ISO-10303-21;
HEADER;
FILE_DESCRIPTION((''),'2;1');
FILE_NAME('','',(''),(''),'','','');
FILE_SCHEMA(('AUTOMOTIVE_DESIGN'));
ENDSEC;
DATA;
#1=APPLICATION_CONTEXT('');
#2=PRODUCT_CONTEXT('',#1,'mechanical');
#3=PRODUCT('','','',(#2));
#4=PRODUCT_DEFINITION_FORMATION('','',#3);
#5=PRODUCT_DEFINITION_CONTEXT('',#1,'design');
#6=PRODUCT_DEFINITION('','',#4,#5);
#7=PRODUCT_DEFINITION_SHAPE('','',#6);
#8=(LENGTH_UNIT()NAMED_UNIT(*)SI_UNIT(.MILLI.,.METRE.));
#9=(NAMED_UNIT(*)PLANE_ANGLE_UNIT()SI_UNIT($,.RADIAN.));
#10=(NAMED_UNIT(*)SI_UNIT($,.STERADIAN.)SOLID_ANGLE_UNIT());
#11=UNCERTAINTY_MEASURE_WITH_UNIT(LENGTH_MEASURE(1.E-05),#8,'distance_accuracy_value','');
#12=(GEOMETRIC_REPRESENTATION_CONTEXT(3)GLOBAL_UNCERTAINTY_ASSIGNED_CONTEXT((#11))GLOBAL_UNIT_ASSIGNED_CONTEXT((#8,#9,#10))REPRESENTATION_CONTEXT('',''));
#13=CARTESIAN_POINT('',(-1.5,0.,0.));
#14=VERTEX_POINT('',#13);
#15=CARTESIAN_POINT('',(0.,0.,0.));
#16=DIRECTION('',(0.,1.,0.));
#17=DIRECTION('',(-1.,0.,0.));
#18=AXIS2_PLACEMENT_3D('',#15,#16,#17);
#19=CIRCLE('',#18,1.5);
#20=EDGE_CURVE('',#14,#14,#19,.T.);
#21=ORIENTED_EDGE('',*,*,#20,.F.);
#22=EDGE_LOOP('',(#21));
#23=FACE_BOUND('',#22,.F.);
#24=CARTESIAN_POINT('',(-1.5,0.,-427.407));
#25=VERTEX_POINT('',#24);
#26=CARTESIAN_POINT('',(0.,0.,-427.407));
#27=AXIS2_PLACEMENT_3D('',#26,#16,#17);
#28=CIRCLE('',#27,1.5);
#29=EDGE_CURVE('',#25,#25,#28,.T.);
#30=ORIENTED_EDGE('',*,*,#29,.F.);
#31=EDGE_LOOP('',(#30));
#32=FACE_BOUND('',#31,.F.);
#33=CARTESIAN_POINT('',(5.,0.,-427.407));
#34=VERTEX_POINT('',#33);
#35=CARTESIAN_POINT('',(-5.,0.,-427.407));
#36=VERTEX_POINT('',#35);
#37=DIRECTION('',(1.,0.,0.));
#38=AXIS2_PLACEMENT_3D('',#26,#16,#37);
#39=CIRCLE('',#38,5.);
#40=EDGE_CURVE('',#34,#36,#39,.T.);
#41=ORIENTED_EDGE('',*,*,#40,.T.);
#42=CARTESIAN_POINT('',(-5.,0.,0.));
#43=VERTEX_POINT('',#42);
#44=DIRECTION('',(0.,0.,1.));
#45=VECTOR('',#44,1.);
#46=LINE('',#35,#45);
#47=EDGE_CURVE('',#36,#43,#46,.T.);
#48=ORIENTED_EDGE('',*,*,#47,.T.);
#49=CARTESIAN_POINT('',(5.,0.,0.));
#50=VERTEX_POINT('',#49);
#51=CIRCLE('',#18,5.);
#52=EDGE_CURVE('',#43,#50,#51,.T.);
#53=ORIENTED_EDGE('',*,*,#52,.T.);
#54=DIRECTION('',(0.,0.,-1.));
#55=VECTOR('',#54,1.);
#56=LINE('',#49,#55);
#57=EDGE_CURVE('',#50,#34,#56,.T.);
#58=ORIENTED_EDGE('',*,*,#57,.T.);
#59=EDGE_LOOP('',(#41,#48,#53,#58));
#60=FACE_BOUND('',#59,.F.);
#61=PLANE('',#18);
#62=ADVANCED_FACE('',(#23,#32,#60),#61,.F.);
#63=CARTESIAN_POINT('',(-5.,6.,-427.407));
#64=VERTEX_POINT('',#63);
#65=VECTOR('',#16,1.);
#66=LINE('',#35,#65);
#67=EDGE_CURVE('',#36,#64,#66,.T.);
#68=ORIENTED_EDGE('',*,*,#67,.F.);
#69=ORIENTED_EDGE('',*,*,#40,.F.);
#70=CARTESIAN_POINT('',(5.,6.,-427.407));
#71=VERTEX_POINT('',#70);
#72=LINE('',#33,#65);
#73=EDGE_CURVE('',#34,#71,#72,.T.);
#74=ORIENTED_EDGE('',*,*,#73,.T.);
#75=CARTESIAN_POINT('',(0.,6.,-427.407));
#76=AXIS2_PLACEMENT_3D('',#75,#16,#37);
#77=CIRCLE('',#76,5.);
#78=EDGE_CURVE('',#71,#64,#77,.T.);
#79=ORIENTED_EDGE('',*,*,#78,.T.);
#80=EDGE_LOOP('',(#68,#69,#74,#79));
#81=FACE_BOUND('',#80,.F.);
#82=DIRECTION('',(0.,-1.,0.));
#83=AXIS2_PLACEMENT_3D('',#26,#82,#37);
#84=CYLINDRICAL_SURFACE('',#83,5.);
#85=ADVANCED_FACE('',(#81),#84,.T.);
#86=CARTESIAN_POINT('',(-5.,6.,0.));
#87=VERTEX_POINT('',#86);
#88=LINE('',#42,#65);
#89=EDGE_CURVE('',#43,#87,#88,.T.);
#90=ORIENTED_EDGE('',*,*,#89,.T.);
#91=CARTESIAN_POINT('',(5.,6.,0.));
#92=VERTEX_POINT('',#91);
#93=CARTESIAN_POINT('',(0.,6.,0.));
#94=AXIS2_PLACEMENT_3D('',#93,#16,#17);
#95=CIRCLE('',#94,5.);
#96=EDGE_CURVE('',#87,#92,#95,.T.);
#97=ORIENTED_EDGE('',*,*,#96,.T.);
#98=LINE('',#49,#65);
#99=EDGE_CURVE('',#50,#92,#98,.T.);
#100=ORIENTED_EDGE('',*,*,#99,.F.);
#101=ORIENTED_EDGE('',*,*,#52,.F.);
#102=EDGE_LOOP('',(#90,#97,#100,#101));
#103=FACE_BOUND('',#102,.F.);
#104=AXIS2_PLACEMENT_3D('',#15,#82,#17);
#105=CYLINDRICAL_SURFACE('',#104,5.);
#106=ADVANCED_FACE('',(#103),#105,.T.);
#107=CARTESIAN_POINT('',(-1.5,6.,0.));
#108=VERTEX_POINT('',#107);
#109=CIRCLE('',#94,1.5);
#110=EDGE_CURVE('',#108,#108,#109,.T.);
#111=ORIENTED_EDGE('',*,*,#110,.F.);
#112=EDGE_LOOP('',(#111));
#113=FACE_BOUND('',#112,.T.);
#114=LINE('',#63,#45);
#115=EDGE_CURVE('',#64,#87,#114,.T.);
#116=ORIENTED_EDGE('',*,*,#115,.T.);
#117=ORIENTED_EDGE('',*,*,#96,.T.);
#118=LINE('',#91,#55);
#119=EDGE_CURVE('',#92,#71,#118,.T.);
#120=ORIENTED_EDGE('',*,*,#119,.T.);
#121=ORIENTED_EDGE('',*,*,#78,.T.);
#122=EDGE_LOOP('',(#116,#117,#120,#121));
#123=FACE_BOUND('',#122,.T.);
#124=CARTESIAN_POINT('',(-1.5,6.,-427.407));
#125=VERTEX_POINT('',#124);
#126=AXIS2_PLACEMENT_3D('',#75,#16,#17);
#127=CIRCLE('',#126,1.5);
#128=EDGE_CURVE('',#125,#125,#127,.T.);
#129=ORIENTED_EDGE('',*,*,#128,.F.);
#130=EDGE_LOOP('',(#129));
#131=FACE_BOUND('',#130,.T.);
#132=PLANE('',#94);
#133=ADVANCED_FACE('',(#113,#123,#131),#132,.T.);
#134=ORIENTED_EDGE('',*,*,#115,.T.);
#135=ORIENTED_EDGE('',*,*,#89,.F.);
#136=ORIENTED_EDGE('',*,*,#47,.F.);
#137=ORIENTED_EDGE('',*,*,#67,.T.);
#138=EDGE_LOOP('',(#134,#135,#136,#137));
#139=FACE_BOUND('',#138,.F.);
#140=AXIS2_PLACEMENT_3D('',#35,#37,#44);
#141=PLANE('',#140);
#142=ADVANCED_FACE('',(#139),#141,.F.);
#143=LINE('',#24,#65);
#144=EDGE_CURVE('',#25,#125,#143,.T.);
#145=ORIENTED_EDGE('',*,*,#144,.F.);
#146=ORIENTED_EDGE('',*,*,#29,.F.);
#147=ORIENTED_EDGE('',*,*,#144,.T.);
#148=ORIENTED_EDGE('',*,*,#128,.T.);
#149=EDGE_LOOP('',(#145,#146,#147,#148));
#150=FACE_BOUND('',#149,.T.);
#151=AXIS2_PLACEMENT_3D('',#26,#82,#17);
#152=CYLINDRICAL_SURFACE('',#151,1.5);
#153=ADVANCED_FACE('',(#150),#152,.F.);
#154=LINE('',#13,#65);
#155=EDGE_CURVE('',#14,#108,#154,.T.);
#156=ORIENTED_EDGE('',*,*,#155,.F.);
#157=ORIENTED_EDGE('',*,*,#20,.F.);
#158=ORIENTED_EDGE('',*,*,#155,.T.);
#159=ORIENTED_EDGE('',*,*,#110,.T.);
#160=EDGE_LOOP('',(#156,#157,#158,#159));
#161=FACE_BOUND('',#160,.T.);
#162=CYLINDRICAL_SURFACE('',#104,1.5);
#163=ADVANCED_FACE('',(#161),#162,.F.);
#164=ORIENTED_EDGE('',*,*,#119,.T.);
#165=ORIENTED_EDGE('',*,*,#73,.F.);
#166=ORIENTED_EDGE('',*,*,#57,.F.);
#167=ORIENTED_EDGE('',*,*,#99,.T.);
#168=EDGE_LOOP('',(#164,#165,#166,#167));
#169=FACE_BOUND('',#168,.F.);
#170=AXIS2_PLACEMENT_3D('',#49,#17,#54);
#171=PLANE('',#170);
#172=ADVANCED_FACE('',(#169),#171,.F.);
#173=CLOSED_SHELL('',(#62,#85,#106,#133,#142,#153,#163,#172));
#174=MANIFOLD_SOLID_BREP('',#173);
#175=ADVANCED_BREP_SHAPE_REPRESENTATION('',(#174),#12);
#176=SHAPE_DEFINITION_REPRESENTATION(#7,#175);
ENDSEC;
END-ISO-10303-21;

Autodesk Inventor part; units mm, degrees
ref_plane "YZ Plane" through (0, 0, 0) normal (1, 0, 0) x (0, 1, 0)
ref_plane "XZ Plane" through (0, 0, 0) normal (0, 1, 0) x (-1, 0, 0)
ref_plane "XY Plane" through (0, 0, 0) normal (0, 0, 1) x (1, 0, 0)
sketch "Sketch1" plane through (0, 0, 0) normal (0, 1, 0) x (-1, 0, 0)
  line L0 (0, 0) -> (0, -427.407) construction
  line L1 (-5, 0) -> (-5, -427.407)
  line L2 (5, -427.407) -> (5, 0)
  arc A0 (5, 0) -> (-5, 0) centre (0, 0) ccw
  arc A1 (-5, -427.407) -> (5, -427.407) centre (0, -427.407) ccw
  circle A2 centre (0, 0) radius 1.5
  circle A3 centre (0, -427.407) radius 1.5
  point P0 (0, -213.7035)
  dimension "d1" = 427.407
  dimension "d2" = 10
  dimension "d3" = 3
  dimension "d4" = 3
extrude "Extrusion1" add sketch "Sketch1" along normal blind 6
